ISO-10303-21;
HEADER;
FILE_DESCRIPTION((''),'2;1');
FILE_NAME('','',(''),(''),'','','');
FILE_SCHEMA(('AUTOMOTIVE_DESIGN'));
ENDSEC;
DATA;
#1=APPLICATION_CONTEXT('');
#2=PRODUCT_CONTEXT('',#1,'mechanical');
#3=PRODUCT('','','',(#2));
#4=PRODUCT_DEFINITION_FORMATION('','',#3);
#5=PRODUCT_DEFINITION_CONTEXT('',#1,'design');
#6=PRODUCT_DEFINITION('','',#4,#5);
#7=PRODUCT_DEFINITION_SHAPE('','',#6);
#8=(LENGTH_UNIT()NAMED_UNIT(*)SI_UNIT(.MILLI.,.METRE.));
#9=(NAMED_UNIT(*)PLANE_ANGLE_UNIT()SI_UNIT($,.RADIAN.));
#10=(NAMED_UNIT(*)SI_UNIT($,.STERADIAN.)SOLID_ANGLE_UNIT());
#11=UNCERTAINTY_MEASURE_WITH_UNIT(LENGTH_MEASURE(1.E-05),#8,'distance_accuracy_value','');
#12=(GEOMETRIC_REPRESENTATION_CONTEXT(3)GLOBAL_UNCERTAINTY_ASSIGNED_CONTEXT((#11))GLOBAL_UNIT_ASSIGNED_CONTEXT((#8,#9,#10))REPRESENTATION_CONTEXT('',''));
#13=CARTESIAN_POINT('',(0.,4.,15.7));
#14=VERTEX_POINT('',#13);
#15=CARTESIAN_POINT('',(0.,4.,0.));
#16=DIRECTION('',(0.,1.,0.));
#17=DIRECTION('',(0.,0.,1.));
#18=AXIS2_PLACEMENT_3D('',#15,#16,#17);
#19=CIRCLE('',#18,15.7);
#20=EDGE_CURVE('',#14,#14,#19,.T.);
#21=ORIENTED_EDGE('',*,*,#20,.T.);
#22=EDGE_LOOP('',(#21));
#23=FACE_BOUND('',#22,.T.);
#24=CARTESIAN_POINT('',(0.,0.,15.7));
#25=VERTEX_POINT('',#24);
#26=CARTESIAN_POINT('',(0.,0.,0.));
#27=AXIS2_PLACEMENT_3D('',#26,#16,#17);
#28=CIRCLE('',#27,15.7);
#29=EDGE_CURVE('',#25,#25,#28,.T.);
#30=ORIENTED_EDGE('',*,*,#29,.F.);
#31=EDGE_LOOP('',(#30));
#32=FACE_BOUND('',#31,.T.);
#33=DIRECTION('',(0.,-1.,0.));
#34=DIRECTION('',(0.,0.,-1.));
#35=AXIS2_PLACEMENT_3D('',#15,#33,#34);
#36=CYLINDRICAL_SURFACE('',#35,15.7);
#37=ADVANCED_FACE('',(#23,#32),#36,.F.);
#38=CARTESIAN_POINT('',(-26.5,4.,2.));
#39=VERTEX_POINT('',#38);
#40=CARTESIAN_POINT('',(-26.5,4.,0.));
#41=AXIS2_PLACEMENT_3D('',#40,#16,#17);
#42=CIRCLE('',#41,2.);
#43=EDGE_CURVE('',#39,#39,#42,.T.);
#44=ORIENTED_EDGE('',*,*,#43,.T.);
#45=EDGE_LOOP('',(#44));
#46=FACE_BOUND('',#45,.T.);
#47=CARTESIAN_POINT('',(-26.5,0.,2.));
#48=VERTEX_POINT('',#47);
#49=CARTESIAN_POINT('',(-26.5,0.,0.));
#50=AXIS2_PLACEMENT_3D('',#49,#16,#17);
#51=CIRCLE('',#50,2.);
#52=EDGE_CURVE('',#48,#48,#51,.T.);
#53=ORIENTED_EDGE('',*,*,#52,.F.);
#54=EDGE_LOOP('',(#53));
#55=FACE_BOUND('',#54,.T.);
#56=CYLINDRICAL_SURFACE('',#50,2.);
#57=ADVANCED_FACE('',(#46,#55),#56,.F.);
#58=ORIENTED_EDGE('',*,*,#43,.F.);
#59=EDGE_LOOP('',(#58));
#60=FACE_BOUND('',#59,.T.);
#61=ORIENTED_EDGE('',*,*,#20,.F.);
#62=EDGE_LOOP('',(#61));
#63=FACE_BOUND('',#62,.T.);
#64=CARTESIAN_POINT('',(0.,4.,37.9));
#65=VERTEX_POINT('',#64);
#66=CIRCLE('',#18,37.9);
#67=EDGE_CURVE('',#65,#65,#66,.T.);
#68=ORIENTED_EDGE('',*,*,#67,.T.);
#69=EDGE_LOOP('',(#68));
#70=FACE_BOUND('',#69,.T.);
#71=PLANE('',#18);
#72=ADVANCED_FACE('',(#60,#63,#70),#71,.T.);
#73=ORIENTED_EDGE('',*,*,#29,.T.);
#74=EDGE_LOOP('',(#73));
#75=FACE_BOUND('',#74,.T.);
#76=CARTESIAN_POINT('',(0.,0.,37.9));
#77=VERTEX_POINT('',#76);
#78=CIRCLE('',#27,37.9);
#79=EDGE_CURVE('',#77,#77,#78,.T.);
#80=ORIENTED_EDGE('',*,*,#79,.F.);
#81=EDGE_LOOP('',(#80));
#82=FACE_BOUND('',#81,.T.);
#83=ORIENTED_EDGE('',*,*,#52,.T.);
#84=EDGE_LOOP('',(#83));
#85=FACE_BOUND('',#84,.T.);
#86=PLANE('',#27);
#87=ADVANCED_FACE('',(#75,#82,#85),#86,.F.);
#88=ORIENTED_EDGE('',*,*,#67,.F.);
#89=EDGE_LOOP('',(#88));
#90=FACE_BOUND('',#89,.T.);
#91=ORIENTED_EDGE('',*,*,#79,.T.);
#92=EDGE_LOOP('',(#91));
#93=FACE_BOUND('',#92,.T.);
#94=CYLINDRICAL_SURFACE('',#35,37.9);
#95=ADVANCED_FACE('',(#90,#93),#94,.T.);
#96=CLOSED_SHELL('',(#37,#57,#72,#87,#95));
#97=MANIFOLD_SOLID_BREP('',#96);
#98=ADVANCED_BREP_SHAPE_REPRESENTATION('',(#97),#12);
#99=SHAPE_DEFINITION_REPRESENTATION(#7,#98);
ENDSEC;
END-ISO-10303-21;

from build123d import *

# Parameters (mm, degrees)
SKETCH1_R           = 37.9
SKETCH1_R_2         = 15.7
BOSS_EXTRUDE1_DEPTH = 4
SKETCH2_R           = 2
CUT_EXTRUDE1_DEPTH  = 54.747744139


with BuildPart() as part:
    # Sketch1 → Boss-Extrude1 (new body)
    with BuildSketch(Plane(origin=(0, 0, 0), x_dir=(1, 0, 0), z_dir=(0, 1, 0))):
        with Locations(Location((0, 0, 0), (0, 0, 270))):
            Circle(SKETCH1_R)
        with Locations(Location((0, 0, 0), (0, 0, 270))):
            Circle(SKETCH1_R_2, mode=Mode.SUBTRACT)
    extrude(amount=BOSS_EXTRUDE1_DEPTH)

    # Sketch2 → Cut-Extrude1 (cut, through all)
    with BuildSketch(Plane(origin=(0, 4, 0), x_dir=(1, 0, 0), z_dir=(0, 1, 0))):
        with Locations(Location((-26.5, 0, 0), (0, 0, 270))):
            Circle(SKETCH2_R)
    extrude(amount=-CUT_EXTRUDE1_DEPTH, mode=Mode.SUBTRACT)


solid = part.part
